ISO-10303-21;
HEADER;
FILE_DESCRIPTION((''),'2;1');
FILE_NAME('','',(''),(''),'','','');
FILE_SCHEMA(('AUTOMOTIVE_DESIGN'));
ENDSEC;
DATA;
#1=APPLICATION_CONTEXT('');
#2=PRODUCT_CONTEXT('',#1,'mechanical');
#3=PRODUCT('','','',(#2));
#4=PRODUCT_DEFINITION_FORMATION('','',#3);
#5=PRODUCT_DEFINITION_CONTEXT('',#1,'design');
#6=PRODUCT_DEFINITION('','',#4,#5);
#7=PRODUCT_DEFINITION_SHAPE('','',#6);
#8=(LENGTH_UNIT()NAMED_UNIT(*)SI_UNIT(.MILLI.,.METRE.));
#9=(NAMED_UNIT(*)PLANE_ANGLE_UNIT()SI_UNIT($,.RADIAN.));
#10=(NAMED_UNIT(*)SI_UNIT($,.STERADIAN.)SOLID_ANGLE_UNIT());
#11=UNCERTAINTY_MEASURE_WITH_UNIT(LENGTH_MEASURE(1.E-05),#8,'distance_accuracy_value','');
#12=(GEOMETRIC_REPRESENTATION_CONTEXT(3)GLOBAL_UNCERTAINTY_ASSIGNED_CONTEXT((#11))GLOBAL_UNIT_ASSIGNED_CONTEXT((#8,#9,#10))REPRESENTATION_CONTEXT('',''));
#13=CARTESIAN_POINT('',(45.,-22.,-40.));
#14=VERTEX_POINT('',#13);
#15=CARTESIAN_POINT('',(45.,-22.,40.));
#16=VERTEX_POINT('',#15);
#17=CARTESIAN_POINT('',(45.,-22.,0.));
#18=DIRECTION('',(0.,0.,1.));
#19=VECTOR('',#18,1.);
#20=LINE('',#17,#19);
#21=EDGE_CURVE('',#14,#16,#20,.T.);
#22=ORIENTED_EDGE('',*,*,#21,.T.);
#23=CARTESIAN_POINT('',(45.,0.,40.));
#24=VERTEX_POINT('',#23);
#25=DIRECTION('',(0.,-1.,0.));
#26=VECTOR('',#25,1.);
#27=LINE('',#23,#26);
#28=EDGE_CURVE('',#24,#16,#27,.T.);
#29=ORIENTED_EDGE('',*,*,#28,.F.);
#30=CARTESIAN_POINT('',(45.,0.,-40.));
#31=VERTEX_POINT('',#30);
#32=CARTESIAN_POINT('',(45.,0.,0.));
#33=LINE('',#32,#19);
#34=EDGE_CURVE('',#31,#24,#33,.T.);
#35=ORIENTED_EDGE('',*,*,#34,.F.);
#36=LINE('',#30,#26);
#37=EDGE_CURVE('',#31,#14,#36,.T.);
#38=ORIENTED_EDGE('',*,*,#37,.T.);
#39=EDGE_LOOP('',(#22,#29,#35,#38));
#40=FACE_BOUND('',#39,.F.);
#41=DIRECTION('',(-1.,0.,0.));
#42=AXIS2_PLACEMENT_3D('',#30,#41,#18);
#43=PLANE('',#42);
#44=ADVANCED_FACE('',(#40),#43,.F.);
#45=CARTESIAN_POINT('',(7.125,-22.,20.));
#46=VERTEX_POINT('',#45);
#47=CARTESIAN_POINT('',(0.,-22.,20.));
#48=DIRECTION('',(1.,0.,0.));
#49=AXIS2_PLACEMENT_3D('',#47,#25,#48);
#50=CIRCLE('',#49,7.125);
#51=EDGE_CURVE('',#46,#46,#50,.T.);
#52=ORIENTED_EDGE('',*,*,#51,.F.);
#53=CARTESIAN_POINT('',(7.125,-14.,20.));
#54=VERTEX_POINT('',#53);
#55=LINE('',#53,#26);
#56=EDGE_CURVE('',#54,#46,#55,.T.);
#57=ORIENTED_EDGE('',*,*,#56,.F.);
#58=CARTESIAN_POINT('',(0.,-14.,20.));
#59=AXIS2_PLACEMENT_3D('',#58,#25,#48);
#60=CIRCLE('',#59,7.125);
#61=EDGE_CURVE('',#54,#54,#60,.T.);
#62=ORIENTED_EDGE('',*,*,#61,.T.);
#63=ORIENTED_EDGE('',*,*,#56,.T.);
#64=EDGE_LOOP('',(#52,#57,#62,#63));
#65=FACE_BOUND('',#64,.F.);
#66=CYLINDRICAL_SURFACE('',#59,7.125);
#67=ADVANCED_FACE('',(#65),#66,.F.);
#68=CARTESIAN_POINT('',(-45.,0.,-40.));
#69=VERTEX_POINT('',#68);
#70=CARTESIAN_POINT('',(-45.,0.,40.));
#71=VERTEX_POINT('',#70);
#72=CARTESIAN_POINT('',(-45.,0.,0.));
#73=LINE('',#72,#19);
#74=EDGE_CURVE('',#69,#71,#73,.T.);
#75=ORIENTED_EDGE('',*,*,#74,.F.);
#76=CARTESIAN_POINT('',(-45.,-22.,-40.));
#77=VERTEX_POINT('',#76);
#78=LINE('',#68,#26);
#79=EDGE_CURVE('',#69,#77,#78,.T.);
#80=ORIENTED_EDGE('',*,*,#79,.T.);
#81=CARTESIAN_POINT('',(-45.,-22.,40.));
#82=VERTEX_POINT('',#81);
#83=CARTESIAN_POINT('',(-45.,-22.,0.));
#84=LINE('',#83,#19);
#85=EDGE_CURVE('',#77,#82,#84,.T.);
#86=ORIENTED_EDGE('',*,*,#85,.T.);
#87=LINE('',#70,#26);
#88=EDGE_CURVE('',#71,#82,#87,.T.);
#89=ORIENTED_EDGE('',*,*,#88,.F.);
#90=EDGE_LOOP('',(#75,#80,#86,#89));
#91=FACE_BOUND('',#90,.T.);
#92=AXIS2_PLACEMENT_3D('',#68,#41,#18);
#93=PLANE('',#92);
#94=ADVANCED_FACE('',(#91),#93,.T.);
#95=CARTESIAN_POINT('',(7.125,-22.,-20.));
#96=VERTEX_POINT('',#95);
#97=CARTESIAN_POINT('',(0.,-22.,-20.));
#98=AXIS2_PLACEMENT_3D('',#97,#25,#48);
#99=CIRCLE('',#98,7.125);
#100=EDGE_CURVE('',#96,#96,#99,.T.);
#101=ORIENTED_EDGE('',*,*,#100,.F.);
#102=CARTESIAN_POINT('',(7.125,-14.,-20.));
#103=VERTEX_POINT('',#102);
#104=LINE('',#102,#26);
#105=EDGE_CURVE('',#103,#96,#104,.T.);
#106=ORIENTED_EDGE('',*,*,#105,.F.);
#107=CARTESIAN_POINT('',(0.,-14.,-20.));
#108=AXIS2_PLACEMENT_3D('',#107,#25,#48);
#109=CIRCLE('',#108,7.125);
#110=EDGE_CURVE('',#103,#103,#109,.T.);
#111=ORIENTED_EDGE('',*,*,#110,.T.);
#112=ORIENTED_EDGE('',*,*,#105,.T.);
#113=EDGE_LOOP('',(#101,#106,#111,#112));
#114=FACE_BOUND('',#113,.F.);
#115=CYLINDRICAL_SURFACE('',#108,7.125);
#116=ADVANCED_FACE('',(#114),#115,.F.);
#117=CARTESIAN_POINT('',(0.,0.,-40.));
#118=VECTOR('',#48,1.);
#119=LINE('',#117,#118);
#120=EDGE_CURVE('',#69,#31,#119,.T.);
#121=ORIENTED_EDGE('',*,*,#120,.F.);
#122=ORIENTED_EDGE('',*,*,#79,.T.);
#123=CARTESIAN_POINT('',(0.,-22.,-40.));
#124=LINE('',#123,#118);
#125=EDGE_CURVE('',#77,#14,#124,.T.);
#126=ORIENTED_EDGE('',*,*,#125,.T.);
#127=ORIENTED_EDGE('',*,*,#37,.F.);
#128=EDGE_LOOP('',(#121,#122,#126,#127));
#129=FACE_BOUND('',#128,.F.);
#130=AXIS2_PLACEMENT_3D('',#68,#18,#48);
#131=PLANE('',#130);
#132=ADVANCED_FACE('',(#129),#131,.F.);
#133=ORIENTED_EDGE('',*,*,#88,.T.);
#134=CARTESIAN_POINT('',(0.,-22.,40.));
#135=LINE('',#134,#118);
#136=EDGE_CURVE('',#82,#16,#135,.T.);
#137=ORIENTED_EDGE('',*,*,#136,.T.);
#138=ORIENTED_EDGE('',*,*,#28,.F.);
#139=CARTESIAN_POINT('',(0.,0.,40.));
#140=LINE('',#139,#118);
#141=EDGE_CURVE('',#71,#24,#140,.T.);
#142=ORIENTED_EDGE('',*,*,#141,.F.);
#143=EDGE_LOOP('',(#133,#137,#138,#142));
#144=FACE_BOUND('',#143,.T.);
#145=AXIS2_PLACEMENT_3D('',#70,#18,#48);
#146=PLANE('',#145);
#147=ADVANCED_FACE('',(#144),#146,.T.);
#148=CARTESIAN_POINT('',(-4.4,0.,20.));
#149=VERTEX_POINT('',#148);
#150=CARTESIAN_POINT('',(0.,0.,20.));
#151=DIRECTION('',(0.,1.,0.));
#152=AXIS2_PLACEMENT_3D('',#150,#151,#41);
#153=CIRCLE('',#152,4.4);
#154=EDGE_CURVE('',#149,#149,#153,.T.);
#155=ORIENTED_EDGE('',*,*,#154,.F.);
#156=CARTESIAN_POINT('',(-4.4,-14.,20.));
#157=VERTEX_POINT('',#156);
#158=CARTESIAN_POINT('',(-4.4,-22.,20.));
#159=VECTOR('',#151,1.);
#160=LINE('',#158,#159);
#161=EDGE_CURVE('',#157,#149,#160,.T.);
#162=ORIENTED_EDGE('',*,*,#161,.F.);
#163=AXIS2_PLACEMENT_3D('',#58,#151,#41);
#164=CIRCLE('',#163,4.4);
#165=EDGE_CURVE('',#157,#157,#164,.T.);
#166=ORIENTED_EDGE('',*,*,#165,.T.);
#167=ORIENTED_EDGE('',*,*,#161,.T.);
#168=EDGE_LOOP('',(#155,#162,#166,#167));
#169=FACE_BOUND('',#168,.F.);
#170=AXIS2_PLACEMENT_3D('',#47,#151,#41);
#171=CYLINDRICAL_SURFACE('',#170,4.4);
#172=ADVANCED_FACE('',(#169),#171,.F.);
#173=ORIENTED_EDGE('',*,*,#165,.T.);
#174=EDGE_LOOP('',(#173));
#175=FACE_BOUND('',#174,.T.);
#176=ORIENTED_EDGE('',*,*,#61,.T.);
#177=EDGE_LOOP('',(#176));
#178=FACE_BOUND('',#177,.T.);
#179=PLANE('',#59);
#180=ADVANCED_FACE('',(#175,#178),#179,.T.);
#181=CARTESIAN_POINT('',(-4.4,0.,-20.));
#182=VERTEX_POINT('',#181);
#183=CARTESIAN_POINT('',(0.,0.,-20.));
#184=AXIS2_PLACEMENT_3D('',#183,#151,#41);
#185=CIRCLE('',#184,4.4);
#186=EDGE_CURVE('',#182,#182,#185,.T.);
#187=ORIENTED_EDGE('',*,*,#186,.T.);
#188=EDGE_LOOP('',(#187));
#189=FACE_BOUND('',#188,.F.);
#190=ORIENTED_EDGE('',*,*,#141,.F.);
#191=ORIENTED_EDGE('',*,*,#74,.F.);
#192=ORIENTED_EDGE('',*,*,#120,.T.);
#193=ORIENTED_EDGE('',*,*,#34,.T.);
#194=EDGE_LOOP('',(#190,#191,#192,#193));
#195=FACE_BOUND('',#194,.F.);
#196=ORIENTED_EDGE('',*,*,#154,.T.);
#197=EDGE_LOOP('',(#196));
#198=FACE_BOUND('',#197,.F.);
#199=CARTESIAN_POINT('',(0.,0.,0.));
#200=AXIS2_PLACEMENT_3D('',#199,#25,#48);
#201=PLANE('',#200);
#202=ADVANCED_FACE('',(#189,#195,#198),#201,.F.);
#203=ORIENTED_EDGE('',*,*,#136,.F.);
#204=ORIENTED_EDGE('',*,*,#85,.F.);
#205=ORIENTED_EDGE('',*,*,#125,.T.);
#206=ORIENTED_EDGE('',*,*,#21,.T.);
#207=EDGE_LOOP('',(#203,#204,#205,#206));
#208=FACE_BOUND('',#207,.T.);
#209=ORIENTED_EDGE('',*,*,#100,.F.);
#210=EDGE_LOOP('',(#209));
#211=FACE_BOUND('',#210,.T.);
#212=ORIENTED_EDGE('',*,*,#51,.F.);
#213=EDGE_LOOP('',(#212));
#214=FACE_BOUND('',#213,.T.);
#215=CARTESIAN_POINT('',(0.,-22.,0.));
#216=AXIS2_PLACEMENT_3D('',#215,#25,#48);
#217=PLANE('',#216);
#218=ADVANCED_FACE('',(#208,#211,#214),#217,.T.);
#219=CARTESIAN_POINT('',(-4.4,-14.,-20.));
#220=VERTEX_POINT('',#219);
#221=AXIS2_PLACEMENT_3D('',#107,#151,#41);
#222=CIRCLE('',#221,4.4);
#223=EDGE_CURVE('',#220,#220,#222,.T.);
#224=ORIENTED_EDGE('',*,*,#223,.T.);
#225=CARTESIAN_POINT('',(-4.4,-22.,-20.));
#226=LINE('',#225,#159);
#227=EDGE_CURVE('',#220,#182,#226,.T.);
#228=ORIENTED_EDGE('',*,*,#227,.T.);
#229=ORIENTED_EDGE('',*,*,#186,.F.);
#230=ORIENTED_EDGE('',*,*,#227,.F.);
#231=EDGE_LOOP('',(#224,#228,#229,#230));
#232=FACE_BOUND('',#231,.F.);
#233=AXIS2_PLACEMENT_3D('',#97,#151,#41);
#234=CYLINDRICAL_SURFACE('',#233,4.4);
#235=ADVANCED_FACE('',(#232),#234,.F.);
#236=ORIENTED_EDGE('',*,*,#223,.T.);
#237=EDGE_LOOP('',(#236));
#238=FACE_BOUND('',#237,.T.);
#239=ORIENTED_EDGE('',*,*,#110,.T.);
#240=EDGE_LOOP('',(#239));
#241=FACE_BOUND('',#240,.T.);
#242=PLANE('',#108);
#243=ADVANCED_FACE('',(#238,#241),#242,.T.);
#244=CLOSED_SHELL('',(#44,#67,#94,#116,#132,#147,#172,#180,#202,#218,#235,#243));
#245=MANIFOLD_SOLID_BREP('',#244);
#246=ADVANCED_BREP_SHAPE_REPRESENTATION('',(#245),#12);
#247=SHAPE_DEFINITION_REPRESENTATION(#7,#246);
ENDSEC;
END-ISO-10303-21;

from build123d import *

# Parameters (mm, degrees)
F0_W           = 90
F0_H           = 80
F1_DEPTH       = 22
F3_D           = 8.8
F3_CBORE_D     = 14.25
F3_CBORE_DEPTH = 8


with BuildPart() as f1:
    # F0 (on Front) → F1 (new body)
    with BuildSketch(Plane.XZ):
        Rectangle(F0_W, F0_H)
    extrude(amount=F1_DEPTH)

    # F3 (through all)
    with Locations(Plane.XZ.offset(22)):
        with Locations((0, 20), (0, -20)):
            CounterBoreHole(F3_D / 2, F3_CBORE_D / 2, F3_CBORE_DEPTH)


solid = f1.part
